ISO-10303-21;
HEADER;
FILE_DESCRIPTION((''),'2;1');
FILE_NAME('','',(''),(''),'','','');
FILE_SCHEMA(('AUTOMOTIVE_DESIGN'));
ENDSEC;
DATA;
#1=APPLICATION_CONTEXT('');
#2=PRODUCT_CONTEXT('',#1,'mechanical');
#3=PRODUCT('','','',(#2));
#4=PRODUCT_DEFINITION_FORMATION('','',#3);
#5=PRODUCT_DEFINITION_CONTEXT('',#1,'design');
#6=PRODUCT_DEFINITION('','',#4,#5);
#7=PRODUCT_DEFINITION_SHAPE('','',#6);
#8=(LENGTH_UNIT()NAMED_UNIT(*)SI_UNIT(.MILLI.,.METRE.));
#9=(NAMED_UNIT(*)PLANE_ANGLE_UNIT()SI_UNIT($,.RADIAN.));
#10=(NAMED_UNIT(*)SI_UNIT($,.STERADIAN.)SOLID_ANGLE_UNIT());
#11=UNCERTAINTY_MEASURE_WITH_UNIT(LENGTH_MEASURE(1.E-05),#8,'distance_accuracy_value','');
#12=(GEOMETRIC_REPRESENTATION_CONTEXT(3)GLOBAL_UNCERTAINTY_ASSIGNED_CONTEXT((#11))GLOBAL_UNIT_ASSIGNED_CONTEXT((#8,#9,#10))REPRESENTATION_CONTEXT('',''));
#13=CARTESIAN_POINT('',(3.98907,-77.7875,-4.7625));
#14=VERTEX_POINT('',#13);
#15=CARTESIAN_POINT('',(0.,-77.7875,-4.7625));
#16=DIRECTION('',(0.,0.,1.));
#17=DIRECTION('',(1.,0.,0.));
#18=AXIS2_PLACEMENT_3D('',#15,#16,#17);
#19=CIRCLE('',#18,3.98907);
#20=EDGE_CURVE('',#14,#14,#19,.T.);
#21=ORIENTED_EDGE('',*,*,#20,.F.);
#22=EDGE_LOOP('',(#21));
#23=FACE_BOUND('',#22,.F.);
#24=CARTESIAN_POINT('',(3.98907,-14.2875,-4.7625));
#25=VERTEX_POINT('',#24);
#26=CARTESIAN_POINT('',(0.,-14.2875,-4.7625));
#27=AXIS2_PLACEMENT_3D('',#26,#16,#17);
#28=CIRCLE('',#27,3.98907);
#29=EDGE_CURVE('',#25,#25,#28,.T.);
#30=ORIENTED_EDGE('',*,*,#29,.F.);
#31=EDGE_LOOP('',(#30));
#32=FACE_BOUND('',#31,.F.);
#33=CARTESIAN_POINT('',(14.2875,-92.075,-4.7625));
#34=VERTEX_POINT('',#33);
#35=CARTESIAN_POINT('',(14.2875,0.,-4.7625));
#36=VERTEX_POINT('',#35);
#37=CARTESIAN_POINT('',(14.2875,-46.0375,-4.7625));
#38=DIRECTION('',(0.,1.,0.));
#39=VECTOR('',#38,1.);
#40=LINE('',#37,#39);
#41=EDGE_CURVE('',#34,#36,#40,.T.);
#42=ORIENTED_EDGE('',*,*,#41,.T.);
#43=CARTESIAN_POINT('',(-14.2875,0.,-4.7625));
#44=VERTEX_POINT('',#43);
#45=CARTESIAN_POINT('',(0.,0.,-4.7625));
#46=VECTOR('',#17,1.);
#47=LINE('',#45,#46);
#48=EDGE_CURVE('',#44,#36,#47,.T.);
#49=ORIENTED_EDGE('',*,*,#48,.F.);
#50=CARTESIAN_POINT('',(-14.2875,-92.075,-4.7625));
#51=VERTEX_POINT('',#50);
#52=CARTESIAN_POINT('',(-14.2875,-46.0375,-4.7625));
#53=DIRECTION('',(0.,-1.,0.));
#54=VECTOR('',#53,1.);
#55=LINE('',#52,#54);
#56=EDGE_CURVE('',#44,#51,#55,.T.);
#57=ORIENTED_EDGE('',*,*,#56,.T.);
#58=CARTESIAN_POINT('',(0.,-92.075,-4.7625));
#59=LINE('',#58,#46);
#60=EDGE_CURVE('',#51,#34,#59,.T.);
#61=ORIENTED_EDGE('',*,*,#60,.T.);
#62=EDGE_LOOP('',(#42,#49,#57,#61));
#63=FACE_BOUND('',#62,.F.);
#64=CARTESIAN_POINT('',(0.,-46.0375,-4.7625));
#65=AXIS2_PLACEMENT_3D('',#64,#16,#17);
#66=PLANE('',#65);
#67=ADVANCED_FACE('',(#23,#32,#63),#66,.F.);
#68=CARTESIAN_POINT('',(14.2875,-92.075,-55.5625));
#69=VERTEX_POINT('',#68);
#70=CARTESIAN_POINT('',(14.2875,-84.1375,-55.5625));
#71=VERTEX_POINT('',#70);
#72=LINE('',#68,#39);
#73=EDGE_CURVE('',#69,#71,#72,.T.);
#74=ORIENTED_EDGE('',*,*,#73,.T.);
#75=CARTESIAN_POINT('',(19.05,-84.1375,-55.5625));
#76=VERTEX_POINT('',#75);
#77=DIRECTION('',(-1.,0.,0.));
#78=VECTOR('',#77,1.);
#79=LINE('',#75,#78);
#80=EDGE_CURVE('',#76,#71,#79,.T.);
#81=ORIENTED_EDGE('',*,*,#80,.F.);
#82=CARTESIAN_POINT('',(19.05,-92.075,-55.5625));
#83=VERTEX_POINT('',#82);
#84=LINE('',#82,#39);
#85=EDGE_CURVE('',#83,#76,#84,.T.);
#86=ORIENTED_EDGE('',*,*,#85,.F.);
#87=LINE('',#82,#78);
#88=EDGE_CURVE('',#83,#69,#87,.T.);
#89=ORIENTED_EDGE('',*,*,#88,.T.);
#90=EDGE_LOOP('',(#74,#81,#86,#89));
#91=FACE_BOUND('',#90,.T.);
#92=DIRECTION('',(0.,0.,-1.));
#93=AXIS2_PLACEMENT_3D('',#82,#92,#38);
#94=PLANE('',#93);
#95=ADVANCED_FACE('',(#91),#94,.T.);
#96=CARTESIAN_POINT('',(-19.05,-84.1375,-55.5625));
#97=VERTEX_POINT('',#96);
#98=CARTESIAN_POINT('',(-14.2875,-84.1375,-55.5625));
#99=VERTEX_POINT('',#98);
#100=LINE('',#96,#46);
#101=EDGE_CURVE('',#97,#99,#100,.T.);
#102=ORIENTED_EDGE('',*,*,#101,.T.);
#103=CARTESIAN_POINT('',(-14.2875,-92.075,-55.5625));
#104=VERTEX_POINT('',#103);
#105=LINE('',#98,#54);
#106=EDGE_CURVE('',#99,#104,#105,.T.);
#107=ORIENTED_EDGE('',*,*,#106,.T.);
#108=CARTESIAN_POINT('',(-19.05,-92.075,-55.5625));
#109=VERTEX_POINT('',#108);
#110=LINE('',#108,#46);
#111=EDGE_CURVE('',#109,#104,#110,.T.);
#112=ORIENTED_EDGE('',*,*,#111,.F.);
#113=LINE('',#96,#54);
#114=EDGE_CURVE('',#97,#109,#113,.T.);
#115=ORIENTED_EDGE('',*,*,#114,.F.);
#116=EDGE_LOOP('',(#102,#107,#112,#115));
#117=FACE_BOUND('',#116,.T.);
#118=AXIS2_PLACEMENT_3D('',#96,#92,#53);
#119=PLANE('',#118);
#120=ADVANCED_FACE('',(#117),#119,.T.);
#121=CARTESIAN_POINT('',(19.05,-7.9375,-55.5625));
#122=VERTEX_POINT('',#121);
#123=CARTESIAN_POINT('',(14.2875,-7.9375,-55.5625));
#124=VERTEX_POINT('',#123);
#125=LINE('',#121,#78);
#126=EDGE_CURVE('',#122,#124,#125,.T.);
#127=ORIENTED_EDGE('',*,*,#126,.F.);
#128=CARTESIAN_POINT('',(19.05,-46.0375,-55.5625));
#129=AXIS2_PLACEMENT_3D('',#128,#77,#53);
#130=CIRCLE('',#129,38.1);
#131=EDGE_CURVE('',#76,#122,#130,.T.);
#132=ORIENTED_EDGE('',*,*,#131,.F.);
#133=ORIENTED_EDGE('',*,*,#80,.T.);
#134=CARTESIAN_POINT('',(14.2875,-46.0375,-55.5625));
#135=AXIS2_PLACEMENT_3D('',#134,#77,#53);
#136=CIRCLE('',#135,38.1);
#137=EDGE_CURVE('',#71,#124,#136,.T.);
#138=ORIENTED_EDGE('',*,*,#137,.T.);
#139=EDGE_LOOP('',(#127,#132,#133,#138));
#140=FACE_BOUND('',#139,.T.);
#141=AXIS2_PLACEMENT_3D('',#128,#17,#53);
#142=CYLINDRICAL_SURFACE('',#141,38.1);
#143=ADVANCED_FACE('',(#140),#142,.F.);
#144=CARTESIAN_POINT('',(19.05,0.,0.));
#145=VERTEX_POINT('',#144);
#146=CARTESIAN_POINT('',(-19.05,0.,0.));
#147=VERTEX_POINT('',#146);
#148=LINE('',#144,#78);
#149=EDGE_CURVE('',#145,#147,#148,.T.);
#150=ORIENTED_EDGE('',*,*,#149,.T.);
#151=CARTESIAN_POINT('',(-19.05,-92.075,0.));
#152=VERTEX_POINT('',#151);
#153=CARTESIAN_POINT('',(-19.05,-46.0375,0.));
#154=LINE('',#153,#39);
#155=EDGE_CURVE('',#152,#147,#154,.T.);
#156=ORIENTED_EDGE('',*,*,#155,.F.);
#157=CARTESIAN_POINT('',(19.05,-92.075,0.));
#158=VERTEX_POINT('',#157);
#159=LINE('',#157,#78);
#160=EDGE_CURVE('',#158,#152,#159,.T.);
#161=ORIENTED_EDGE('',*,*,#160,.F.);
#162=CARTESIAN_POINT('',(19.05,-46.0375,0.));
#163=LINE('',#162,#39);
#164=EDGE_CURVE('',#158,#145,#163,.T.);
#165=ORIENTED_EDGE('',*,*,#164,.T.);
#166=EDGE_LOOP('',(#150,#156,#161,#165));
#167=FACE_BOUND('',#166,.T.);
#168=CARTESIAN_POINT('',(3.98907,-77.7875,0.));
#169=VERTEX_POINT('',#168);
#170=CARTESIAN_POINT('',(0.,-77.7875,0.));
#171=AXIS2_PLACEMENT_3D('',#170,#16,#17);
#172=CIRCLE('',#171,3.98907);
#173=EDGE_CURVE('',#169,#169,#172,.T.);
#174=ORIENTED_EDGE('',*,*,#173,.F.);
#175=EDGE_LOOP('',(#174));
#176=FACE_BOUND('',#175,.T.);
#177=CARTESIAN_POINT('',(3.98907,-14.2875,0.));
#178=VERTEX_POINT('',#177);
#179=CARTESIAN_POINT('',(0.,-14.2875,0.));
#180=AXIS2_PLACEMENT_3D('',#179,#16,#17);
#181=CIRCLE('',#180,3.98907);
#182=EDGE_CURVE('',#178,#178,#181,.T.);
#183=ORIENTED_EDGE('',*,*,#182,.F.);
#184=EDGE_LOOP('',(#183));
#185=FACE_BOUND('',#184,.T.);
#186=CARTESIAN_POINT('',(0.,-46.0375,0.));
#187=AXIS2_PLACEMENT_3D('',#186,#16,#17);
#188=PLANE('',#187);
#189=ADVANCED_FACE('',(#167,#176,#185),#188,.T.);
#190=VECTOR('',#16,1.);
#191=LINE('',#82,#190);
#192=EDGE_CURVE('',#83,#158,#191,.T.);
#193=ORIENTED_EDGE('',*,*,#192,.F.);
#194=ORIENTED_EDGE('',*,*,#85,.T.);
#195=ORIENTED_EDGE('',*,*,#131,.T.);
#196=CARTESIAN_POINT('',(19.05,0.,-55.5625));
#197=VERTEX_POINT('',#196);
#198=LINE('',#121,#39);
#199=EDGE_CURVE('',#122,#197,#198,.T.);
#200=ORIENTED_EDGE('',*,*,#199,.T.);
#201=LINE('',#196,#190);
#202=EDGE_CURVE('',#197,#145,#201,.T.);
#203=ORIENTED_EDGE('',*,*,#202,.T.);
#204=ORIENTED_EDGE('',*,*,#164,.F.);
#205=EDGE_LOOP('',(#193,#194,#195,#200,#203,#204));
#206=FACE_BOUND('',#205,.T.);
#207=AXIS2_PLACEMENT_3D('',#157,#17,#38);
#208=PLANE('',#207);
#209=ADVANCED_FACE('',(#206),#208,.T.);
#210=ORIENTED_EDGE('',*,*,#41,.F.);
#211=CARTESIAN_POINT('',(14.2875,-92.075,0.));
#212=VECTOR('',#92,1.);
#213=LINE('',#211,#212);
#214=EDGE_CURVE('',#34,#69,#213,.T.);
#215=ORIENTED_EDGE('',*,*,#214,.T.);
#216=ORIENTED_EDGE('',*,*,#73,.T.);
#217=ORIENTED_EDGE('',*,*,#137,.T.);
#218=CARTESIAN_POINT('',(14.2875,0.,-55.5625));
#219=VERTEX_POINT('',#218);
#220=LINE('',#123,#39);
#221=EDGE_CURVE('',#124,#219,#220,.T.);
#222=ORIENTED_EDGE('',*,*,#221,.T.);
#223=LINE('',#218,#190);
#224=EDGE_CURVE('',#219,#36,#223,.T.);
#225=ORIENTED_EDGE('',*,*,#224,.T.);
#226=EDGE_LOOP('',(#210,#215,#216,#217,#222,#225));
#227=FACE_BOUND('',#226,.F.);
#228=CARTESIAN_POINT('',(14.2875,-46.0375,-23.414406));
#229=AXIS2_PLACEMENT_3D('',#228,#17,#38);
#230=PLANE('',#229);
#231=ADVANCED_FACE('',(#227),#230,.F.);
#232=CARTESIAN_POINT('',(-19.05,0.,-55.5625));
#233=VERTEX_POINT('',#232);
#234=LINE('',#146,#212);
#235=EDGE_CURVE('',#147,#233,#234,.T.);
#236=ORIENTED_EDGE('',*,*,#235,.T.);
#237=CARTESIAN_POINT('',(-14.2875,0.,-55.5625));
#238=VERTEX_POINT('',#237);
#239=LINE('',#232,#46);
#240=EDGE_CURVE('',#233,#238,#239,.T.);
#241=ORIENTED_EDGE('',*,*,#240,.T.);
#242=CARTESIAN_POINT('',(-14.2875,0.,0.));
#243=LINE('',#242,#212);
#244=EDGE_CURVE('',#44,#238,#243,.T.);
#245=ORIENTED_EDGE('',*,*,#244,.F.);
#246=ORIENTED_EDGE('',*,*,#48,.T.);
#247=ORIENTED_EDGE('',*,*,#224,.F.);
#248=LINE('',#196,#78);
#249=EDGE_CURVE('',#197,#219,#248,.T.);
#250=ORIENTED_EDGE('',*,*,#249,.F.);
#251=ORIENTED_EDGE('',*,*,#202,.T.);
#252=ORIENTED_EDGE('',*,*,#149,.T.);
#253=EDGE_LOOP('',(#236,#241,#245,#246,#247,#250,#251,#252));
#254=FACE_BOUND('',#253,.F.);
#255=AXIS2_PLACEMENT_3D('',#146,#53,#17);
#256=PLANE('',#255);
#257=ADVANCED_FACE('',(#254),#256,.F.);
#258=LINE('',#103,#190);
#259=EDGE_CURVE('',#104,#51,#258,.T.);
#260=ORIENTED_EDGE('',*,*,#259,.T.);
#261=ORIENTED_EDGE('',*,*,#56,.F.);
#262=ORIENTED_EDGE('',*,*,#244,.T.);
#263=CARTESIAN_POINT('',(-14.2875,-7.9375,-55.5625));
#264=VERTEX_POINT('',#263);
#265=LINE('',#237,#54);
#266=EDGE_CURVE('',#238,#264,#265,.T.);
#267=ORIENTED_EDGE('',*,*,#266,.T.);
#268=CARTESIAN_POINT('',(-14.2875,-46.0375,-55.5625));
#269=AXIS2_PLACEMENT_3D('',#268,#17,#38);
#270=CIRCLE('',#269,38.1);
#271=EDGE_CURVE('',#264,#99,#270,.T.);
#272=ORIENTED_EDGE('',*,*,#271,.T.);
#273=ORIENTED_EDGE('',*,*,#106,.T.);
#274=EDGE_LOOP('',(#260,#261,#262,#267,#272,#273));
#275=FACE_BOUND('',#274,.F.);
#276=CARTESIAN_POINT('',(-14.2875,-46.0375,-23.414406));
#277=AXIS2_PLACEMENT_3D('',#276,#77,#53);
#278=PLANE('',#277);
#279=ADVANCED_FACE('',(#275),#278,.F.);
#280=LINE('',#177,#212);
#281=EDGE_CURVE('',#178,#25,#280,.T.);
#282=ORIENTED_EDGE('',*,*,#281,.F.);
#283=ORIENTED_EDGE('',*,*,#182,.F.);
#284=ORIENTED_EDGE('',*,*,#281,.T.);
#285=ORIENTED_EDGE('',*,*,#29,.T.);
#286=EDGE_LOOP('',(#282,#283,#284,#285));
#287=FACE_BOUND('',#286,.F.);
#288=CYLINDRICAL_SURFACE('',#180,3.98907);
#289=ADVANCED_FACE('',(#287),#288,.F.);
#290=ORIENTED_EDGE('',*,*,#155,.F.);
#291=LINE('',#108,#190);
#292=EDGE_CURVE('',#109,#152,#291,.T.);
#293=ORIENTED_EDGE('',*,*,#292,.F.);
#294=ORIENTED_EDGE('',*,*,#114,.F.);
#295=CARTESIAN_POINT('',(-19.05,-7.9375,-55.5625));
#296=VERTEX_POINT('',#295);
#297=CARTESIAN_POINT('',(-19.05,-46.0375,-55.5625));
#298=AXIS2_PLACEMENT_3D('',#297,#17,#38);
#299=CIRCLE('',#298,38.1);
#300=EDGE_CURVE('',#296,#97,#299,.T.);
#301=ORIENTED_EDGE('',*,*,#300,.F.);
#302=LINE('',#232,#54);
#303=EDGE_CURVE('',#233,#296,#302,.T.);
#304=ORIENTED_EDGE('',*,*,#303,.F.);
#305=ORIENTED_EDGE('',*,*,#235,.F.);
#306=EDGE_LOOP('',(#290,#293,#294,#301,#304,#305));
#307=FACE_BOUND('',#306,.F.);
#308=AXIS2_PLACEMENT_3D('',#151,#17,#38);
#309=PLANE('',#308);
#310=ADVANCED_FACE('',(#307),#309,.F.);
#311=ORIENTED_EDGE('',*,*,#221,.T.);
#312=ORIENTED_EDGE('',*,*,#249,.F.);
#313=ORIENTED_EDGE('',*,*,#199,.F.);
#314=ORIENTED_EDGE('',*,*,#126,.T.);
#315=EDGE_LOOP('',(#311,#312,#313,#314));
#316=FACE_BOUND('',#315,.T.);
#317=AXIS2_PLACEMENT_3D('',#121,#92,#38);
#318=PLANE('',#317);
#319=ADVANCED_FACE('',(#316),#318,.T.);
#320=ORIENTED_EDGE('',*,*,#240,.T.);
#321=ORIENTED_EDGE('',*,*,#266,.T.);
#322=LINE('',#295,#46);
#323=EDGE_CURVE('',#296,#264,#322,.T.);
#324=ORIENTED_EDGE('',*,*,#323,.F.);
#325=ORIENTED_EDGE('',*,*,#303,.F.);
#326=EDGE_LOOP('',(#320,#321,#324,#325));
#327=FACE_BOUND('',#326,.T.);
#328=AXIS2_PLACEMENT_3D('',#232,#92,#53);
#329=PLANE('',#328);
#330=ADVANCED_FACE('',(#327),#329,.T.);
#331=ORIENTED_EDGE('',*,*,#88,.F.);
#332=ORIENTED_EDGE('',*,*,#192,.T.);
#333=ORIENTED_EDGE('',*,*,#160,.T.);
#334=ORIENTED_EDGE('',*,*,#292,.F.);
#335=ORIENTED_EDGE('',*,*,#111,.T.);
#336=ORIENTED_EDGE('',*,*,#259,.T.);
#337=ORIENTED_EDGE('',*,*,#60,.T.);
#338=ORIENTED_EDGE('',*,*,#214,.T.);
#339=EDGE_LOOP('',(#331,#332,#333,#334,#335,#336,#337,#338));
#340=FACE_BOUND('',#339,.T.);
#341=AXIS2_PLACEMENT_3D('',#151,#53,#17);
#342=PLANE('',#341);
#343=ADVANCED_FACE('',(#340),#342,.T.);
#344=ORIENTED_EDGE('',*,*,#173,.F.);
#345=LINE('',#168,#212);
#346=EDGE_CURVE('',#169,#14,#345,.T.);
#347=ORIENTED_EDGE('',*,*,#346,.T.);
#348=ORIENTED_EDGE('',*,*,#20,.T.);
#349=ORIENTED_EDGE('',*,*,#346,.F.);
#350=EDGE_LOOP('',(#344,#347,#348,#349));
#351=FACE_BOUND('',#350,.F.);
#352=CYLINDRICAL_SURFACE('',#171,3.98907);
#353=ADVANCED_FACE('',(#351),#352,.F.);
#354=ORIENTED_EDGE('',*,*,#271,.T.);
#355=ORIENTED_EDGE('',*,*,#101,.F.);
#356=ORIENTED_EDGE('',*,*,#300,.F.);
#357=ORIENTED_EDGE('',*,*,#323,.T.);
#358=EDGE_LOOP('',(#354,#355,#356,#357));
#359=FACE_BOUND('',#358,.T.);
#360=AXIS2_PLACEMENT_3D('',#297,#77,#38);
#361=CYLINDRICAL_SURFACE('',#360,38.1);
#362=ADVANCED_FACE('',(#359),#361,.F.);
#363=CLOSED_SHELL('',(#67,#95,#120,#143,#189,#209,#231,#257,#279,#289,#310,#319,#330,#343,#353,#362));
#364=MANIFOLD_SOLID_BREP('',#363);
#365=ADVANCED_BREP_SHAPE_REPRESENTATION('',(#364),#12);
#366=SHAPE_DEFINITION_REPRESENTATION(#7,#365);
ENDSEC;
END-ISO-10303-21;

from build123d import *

# Parameters (mm, degrees)
F0_W     = 38.1
F0_H     = 92.075
F1_DEPTH = 4.7625
F3_DEPTH = 4.7625
F5_DEPTH = 4.7625
F6_R     = 3.98907
F7_DEPTH = 55.5635


with BuildPart() as f1:
    # F0 (on Top) → F1 (new body)
    with BuildSketch(Plane.XY):
        with Locations((0, -46.0375)):
            Rectangle(F0_W, F0_H)
    extrude(amount=-F1_DEPTH)

    # F2 (on face) → F3 (join)
    with BuildSketch(Plane(origin=(-19.05, 0, 0), x_dir=(0, -1, 0), z_dir=(-1, 0, 0))):
        with BuildLine():
            Line((92.075, 0), (0, 0))
            Line((0, 0), (0, -55.5625))
            Line((0, -55.5625), (7.9375, -55.5625))
            ThreePointArc((7.9375, -55.5625), (46.0375, -17.4625), (84.1375, -55.5625))
            Line((84.1375, -55.5625), (92.075, -55.5625))
            Line((92.075, -55.5625), (92.075, 0))
        make_face()
    extrude(amount=-F3_DEPTH)

    # F4 (on face) → F5 (join)
    with BuildSketch(Plane.YZ.offset(19.05)):
        with BuildLine():
            Line((0, 0), (-92.075, 0))
            Line((-92.075, 0), (-92.075, -55.5625))
            Line((-92.075, -55.5625), (-84.1375, -55.5625))
            ThreePointArc((-84.1375, -55.5625), (-46.0375, -17.4625), (-7.9375, -55.5625))
            Line((-7.9375, -55.5625), (0, -55.5625))
            Line((0, -55.5625), (0, 0))
        make_face()
    extrude(amount=-F5_DEPTH)

    # F6 (on Top) → F7 (cut, through all)
    with BuildSketch(Plane.XY):
        with Locations((0, -14.2875)):
            Circle(F6_R)
        with Locations((0, -77.7875)):
            Circle(F6_R)
    extrude(amount=-F7_DEPTH, mode=Mode.SUBTRACT)


solid = f1.part
